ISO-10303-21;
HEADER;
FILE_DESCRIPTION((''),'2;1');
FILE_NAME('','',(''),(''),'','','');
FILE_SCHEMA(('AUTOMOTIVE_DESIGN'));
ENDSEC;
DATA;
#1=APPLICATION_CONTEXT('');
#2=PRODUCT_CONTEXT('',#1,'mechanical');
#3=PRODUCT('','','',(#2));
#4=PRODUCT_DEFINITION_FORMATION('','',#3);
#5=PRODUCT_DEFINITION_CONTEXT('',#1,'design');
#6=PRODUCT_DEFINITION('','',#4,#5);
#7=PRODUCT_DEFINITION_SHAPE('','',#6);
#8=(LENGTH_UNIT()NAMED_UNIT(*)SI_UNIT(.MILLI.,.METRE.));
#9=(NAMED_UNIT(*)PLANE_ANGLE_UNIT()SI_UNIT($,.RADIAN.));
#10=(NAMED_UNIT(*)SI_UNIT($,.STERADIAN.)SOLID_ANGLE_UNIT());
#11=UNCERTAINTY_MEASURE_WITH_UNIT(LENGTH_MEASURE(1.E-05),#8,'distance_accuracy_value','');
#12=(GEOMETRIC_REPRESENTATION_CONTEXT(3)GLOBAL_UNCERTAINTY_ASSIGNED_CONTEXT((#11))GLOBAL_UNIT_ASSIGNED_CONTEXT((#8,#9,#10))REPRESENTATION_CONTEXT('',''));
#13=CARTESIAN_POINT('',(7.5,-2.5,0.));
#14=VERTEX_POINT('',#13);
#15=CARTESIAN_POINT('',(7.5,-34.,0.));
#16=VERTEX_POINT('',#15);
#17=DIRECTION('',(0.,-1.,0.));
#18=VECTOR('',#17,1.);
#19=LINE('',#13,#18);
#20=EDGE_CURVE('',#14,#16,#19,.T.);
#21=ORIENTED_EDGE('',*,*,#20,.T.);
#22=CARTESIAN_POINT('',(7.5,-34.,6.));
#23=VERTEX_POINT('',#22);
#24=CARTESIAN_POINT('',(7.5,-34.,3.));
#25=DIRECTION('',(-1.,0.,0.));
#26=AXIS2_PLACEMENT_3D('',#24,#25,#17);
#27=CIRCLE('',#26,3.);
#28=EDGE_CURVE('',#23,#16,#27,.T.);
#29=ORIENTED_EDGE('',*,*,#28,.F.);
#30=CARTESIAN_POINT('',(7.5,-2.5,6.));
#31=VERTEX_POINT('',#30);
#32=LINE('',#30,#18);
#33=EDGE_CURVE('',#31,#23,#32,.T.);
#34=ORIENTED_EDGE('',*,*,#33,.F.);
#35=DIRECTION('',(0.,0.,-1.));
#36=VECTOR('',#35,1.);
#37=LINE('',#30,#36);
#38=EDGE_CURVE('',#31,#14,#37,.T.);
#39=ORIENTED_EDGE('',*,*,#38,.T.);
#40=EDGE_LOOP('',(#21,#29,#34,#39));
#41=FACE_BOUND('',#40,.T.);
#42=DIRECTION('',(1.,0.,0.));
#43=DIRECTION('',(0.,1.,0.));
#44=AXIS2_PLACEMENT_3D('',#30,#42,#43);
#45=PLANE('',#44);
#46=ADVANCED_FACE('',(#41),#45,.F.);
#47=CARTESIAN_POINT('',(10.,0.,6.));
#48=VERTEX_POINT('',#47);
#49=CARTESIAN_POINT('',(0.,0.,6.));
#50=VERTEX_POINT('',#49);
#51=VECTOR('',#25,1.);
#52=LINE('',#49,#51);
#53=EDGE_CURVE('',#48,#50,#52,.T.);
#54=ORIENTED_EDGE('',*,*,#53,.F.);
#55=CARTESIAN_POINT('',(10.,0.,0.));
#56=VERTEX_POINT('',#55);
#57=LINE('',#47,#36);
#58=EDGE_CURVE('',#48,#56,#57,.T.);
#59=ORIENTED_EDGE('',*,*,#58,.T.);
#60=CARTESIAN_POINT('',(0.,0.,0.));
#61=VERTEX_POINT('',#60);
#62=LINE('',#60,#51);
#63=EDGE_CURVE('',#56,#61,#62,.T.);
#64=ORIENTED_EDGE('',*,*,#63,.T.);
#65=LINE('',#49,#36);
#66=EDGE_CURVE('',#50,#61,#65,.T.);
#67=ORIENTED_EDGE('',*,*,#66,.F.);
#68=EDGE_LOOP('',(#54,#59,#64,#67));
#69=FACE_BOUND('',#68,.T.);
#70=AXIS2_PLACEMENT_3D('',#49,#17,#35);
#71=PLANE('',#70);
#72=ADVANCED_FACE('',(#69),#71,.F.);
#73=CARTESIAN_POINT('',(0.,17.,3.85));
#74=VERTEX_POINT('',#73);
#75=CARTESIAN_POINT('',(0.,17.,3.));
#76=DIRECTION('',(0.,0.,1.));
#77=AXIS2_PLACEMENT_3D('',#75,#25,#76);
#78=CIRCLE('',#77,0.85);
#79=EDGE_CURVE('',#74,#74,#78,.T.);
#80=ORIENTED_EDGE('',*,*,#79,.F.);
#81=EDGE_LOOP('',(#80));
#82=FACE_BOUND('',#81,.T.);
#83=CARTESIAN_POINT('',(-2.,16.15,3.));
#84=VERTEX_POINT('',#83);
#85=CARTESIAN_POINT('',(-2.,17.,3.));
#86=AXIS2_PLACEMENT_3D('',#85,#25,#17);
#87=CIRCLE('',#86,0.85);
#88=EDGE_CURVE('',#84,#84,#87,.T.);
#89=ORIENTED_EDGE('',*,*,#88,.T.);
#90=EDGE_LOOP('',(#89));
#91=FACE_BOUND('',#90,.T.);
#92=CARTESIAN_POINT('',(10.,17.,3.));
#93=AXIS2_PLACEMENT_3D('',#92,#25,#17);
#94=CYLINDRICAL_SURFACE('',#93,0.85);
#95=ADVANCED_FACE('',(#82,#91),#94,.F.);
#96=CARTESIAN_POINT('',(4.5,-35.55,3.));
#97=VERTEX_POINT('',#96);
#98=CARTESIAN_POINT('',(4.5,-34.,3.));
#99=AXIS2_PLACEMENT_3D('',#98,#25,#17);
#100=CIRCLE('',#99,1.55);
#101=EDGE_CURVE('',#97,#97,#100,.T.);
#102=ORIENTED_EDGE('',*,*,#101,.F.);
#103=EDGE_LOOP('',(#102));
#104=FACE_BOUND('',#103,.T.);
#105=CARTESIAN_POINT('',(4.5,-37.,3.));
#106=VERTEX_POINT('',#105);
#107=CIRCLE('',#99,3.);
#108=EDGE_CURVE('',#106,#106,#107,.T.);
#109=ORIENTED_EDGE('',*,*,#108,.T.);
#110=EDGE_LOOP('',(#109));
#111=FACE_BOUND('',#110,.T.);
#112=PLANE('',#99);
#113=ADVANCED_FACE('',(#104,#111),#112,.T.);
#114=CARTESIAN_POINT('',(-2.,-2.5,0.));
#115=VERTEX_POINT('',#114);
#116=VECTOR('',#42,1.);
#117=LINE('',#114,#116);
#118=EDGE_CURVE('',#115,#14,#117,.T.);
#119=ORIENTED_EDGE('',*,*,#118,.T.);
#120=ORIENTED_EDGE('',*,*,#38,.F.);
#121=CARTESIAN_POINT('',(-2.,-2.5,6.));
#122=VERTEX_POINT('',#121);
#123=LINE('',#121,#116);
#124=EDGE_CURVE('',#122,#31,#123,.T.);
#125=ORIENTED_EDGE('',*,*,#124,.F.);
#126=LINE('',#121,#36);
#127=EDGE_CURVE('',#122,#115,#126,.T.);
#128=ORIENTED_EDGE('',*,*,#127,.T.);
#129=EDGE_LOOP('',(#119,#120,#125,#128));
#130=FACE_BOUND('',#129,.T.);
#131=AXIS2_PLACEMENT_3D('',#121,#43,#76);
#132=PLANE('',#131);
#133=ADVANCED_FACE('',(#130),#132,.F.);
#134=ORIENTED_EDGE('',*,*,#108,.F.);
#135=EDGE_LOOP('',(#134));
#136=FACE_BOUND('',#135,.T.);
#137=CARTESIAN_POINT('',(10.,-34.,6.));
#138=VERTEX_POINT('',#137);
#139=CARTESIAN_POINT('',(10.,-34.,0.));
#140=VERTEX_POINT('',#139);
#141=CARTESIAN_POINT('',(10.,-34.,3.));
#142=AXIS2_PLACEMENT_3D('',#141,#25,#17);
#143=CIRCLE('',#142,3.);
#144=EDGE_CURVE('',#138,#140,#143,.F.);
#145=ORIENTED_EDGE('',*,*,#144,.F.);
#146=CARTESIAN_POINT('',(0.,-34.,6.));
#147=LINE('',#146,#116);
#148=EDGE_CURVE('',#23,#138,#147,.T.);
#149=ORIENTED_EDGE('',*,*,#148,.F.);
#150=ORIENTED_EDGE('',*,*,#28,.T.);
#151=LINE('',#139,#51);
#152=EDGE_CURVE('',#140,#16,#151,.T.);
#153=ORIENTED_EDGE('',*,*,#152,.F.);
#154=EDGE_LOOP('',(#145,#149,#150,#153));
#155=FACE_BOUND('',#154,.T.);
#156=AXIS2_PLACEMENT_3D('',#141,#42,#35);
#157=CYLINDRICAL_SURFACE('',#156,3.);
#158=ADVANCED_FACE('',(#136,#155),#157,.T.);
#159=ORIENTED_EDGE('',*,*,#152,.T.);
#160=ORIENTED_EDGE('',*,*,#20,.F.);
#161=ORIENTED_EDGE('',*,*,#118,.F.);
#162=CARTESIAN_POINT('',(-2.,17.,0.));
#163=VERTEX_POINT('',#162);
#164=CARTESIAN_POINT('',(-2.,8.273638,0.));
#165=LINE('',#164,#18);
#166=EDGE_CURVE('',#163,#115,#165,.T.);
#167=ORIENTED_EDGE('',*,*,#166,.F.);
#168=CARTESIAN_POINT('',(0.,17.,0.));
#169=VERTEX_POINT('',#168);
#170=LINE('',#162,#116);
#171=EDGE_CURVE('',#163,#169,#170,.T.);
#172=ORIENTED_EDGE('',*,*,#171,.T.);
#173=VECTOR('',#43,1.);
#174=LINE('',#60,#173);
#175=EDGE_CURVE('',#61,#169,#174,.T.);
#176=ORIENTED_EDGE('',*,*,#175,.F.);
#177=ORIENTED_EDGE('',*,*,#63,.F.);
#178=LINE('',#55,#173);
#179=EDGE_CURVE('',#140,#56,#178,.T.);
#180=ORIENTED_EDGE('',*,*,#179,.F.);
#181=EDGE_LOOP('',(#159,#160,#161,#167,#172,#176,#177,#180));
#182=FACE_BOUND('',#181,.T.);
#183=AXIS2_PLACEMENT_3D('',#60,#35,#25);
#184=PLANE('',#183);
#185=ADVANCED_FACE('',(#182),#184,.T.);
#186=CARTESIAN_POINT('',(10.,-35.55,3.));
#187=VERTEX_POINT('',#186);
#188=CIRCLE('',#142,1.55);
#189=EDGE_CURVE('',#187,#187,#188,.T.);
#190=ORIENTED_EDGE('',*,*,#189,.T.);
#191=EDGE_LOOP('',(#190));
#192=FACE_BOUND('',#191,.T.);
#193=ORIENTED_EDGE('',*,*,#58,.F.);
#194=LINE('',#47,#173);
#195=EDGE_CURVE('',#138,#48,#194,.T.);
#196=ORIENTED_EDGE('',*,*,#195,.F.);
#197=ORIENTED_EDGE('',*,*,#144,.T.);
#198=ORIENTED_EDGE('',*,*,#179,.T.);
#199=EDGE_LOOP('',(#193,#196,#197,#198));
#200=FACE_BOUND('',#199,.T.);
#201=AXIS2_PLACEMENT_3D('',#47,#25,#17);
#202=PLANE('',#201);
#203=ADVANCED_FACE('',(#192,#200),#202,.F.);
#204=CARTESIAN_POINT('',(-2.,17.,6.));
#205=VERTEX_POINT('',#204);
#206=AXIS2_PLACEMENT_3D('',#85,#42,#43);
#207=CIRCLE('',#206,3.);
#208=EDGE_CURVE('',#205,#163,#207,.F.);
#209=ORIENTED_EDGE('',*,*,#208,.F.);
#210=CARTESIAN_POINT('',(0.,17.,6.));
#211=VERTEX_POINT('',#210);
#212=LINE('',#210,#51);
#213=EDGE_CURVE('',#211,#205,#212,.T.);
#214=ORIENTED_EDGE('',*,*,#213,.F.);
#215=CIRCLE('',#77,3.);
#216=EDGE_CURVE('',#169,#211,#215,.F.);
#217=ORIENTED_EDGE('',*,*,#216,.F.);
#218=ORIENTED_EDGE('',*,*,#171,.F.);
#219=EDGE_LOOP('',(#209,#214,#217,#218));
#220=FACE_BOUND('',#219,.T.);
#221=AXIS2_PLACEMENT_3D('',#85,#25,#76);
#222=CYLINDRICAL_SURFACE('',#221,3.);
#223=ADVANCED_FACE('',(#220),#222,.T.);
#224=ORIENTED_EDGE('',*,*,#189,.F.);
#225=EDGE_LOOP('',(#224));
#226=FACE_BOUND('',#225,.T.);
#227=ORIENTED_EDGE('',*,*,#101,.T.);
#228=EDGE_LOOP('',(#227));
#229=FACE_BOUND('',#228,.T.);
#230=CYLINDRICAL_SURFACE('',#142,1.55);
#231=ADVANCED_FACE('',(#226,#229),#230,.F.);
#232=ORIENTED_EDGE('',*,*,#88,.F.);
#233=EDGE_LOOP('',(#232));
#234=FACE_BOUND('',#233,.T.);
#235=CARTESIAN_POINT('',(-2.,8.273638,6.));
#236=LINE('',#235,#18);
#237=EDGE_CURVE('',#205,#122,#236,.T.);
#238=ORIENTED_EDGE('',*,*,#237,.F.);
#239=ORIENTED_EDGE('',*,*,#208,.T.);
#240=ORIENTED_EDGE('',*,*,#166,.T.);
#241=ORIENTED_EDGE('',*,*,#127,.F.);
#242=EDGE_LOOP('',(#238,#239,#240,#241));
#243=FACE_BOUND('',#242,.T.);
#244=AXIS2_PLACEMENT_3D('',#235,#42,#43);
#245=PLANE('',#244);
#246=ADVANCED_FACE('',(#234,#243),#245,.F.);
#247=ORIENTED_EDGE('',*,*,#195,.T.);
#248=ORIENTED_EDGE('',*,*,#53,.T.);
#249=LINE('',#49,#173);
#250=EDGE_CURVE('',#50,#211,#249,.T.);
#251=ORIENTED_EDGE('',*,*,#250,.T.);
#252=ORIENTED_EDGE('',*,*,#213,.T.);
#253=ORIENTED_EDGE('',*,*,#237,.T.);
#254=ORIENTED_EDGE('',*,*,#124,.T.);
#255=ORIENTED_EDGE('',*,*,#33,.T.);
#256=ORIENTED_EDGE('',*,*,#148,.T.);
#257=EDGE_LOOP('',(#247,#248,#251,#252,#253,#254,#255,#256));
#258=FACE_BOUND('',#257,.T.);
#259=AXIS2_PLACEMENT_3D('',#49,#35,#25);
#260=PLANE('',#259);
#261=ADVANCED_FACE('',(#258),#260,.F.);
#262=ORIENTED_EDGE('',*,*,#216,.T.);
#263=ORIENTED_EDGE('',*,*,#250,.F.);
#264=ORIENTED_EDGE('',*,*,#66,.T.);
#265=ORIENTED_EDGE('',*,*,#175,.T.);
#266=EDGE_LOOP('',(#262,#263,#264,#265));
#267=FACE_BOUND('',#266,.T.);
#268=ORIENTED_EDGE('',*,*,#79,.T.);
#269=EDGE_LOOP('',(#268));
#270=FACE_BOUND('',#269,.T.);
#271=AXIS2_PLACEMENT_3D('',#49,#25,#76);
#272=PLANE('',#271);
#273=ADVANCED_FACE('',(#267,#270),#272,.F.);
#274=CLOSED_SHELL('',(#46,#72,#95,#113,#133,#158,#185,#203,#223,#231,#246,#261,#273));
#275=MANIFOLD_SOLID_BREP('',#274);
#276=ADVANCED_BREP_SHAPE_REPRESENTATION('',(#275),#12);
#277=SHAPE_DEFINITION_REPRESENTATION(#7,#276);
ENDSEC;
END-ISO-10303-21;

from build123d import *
from build123d.topology import SkipClean

# Parameters (mm, degrees)
EXTRUDE_1_DEPTH     = 6
FILLET_3_RADIUS     = 3
FILLET_3_LENGTH     = 2
FILLET_4_RADIUS     = 3
FILLET_4_LENGTH     = 2.5
SKETCH_2_R          = 0.85
SKETCH_2_R_2        = 1.55
CUT_EXTRUDE_1_DEPTH = 40.357337308
EXTRUDE_START       = 3
SKETCH_3_R          = 3
SKETCH_3_R_2        = 1.55
EXTRUDE_2_DEPTH     = 3


with BuildPart() as part:
    # 草图1 → 凸台-拉伸1 (new body)
    with BuildSketch(Plane.XY):
        Polygon((-2, -2.5), (7.5, -2.5), (7.5, -37), (10, -37), (10, 0), (0, 0), (0, 20), (-2, 20), (-2, 8.273638366), align=None)
    extrude(amount=EXTRUDE_1_DEPTH)

    # 圆角3: full round fillet: the end face becomes a half cylinder, R = half its width
    fillet_3_face = Plane((-1, 20, 3), x_dir=(-1, 0, 0), z_dir=(0, 1, 0))  # on the end face: x along it, z out of the body
    fillet_3_slab = fillet_3_face.offset(-FILLET_3_RADIUS / 2) * Box(FILLET_3_LENGTH, 2 * FILLET_3_RADIUS, FILLET_3_RADIUS, mode=Mode.PRIVATE)  # the body's end, R deep
    fillet_3_round = Plane((-1, 17, 3), x_dir=(0, 1, 0), z_dir=(-1, 0, 0)) * Cylinder(FILLET_3_RADIUS, FILLET_3_LENGTH, mode=Mode.PRIVATE)  # its axis R under the face
    add(fillet_3_slab - fillet_3_round, mode=Mode.SUBTRACT)

    # 圆角4: full round fillet: the end face becomes a half cylinder, R = half its width
    fillet_4_face = Plane((8.75, -37, 3), x_dir=(-1, 0, 0), z_dir=(0, -1, 0))  # on the end face: x along it, z out of the body
    fillet_4_slab = fillet_4_face.offset(-FILLET_4_RADIUS / 2) * Box(FILLET_4_LENGTH, 2 * FILLET_4_RADIUS, FILLET_4_RADIUS, mode=Mode.PRIVATE)  # the body's end, R deep
    fillet_4_round = Plane((8.75, -34, 3), x_dir=(0, -1, 0), z_dir=(-1, 0, 0)) * Cylinder(FILLET_4_RADIUS, FILLET_4_LENGTH, mode=Mode.PRIVATE)  # its axis R under the face
    add(fillet_4_slab - fillet_4_round, mode=Mode.SUBTRACT)

    # 草图2 → 切除-拉伸1 (cut, through all)
    with BuildSketch(Plane.ZY.offset(2)):
        with Locations(Location((3, 17, 0), (0, 0, 270))):
            Circle(SKETCH_2_R)
        with Locations(Location((3, -34, 0), (0, 0, 270))):
            Circle(SKETCH_2_R_2)
    extrude(amount=-CUT_EXTRUDE_1_DEPTH, mode=Mode.SUBTRACT)

    # 草图3 → 凸台-拉伸2 (add)
    with SkipClean():  # the faces are left unmerged after this step: merging them gives an invalid solid
        with BuildSketch(Plane.ZY.offset(-7.5).offset(EXTRUDE_START)):
            with Locations(Location((3, -34, 0), (0, 0, 180))):
                Circle(SKETCH_3_R)
            with Locations(Location((3, -34, 0), (0, 0, 270))):
                Circle(SKETCH_3_R_2, mode=Mode.SUBTRACT)
        extrude(amount=-EXTRUDE_2_DEPTH)


solid = part.part
